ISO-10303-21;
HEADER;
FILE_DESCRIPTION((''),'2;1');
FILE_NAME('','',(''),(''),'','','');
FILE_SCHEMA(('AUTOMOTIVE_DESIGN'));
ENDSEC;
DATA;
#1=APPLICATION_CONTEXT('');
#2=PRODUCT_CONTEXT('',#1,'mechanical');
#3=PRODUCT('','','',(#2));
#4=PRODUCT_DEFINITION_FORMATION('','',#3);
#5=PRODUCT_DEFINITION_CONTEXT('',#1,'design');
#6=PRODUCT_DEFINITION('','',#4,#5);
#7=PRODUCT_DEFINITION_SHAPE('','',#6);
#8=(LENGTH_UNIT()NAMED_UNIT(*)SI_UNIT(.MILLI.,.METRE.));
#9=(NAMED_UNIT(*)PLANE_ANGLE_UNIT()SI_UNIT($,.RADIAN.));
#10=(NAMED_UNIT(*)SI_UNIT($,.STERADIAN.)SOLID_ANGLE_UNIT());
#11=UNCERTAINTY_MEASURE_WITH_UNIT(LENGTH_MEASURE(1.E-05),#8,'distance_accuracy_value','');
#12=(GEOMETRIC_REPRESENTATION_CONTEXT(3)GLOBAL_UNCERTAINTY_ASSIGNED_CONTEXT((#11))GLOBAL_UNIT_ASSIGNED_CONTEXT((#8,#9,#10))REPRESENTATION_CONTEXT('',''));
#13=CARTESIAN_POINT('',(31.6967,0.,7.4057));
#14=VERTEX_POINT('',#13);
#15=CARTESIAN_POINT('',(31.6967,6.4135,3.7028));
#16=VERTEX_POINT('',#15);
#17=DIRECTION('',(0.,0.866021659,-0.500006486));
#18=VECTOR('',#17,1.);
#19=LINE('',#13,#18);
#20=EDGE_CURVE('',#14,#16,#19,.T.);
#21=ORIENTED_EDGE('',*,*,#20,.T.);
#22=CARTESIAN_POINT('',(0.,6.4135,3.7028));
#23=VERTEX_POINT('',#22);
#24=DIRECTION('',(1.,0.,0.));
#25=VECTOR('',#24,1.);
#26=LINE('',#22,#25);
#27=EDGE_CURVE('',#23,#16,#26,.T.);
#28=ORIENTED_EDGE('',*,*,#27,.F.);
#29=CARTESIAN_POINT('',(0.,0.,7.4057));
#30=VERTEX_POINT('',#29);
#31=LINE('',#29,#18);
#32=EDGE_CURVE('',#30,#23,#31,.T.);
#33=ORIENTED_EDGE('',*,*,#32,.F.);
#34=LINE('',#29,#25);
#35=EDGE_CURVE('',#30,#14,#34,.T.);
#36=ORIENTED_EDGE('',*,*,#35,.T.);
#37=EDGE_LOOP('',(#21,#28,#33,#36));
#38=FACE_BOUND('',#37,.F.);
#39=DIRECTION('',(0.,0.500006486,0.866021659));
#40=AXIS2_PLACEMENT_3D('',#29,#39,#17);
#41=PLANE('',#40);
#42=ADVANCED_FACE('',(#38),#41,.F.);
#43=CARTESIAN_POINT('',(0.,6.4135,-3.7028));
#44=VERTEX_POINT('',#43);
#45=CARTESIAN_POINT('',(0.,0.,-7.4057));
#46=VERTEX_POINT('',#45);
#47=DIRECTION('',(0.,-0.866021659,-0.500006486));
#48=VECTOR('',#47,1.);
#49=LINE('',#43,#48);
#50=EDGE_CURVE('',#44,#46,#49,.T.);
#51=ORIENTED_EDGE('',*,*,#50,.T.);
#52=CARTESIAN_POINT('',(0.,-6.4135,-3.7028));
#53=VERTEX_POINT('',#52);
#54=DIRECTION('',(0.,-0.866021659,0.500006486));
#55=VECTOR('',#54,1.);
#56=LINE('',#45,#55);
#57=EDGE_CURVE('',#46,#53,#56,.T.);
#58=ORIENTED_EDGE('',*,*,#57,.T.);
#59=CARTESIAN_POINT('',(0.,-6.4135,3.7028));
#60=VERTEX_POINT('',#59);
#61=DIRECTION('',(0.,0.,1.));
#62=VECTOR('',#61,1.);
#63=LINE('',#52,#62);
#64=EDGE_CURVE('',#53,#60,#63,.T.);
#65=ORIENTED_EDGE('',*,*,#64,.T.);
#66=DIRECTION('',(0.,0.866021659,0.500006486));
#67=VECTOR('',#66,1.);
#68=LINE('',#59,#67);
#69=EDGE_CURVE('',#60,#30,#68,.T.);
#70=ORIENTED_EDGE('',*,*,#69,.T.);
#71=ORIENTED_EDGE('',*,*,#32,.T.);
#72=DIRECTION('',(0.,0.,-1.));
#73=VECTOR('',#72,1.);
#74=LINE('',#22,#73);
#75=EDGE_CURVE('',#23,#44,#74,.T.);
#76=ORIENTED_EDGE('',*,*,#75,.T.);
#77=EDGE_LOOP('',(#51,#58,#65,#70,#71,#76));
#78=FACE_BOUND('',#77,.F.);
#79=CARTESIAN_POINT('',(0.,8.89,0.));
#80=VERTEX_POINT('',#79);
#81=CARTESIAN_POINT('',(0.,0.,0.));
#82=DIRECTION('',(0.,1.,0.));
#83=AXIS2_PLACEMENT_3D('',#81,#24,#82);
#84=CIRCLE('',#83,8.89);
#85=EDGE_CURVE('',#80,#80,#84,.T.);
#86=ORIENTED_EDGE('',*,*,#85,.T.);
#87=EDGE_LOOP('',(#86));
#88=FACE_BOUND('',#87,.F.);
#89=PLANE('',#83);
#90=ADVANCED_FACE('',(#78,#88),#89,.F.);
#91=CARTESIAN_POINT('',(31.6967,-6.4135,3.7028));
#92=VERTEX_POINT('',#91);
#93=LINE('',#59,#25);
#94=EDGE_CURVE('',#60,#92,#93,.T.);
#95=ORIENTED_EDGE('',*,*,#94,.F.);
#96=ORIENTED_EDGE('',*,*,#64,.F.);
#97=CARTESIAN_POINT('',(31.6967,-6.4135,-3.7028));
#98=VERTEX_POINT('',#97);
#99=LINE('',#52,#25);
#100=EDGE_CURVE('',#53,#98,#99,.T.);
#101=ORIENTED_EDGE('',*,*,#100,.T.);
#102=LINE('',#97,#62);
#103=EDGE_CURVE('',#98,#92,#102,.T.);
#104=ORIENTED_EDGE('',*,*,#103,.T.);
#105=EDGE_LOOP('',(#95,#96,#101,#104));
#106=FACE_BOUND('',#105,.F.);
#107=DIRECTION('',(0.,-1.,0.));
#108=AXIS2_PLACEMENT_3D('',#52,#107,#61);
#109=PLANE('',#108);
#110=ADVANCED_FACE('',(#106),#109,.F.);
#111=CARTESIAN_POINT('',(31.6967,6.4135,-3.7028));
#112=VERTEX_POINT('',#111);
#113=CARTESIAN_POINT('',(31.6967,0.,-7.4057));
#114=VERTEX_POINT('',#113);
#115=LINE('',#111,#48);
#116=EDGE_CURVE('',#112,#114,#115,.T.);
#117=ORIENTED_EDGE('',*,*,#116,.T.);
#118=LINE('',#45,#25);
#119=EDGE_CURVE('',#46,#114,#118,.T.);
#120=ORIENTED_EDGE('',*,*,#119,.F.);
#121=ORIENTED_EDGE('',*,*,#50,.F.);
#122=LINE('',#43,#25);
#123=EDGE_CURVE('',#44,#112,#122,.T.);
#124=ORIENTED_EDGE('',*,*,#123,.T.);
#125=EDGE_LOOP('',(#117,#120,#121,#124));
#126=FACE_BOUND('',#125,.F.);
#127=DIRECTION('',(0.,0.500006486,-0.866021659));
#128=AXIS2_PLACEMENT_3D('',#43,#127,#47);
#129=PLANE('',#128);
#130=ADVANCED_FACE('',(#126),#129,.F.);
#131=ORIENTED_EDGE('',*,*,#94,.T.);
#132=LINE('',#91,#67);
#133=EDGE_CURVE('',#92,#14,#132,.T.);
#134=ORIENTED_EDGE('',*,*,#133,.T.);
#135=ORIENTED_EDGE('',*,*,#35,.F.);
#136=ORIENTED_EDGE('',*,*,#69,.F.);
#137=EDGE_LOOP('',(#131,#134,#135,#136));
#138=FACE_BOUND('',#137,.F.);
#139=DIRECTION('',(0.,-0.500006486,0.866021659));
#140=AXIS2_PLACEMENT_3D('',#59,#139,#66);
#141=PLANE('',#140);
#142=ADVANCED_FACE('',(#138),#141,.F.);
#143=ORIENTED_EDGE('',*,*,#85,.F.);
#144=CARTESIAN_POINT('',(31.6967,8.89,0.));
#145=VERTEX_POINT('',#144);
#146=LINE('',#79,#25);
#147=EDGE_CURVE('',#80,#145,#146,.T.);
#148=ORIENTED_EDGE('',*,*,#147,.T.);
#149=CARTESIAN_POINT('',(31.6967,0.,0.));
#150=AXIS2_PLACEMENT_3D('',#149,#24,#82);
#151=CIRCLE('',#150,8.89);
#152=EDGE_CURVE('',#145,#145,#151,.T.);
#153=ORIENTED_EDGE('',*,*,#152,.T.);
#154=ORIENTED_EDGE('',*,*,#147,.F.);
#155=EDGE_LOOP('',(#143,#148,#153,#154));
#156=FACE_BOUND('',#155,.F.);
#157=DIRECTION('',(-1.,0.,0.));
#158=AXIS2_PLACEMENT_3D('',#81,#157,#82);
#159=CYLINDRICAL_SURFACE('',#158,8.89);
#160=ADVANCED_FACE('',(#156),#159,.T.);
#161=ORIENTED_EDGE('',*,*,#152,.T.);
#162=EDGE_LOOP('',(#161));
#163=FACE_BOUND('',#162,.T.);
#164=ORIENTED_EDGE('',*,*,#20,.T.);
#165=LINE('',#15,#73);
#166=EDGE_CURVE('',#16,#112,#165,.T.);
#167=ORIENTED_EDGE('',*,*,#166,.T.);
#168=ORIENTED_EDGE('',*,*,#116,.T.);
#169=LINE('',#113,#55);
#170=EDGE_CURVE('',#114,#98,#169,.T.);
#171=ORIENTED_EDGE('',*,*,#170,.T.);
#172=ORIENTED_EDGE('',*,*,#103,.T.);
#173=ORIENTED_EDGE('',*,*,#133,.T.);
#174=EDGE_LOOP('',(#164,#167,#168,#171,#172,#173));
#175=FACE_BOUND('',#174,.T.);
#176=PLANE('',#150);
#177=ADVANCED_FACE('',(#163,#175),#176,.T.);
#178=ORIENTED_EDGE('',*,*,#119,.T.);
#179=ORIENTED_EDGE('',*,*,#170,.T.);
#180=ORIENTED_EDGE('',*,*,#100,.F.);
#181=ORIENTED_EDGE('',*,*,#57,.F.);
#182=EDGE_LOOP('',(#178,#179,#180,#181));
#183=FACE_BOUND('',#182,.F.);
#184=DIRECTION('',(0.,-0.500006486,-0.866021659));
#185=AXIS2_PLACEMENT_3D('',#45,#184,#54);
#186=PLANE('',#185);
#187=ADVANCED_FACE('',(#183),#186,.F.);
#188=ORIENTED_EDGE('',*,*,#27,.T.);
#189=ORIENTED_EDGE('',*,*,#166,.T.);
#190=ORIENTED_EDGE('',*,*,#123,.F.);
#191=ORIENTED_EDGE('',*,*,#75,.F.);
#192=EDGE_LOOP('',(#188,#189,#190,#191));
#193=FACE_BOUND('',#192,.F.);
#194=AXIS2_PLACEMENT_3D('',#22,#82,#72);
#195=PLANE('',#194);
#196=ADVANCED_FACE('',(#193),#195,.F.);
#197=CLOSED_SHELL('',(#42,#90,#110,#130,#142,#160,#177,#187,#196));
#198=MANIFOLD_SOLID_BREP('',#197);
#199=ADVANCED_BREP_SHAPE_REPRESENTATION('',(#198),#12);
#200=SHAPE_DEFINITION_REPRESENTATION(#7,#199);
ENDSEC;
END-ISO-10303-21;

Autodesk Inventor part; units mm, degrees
ref_plane "YZ Plane" through (0, 0, 0) normal (1, 0, 0) x (0, 1, 0)
ref_plane "XZ Plane" through (0, 0, 0) normal (0, 1, 0) x (-1, 0, 0)
ref_plane "XY Plane" through (0, 0, 0) normal (0, 0, 1) x (1, 0, 0)
sketch "Sketch1" plane through (0, 0, 0) normal (1, 0, 0) x (0, 1, 0)
  line L0 (6.4135, -3.7028) -> (0, -7.4057)
  line L1 (0, -7.4057) -> (-6.4135, -3.7028)
  line L2 (-6.4135, -3.7028) -> (-6.4135, 3.7028)
  line L3 (-6.4135, 3.7028) -> (0, 7.4057)
  line L4 (0, 7.4057) -> (6.4135, 3.7028)
  line L5 (6.4135, 3.7028) -> (6.4135, -3.7028)
  circle A0 centre (0, 0) radius 8.89
  dimension "d0" = 12.827
  dimension "d1" = 17.78
extrude "Extrusion1" add sketch "Sketch1" along normal blind 31.6967
equation "\"BendRadius\" = Thickness"
equation "\"BendReliefWidth\" = Thickness"
equation "\"BendReliefDepth\" = 0.5 * Thickness"
equation "\"CornerReliefSize\" = 4 * Thickness"
equation "\"MinimumRemnant\" = 2 * Thickness"
equation "\"TransitionRadius\" = BendRadius"
equation "\"JacobiRadiusSize\" = BendRadius"
equation "\"GapSize\" = Thickness"
equation "\"Thickness\" = 3.048"
properties part number "3DPRINT,BACKROLLERS,PULLEYSIDE,SPACER" material "ABS Plastic"
